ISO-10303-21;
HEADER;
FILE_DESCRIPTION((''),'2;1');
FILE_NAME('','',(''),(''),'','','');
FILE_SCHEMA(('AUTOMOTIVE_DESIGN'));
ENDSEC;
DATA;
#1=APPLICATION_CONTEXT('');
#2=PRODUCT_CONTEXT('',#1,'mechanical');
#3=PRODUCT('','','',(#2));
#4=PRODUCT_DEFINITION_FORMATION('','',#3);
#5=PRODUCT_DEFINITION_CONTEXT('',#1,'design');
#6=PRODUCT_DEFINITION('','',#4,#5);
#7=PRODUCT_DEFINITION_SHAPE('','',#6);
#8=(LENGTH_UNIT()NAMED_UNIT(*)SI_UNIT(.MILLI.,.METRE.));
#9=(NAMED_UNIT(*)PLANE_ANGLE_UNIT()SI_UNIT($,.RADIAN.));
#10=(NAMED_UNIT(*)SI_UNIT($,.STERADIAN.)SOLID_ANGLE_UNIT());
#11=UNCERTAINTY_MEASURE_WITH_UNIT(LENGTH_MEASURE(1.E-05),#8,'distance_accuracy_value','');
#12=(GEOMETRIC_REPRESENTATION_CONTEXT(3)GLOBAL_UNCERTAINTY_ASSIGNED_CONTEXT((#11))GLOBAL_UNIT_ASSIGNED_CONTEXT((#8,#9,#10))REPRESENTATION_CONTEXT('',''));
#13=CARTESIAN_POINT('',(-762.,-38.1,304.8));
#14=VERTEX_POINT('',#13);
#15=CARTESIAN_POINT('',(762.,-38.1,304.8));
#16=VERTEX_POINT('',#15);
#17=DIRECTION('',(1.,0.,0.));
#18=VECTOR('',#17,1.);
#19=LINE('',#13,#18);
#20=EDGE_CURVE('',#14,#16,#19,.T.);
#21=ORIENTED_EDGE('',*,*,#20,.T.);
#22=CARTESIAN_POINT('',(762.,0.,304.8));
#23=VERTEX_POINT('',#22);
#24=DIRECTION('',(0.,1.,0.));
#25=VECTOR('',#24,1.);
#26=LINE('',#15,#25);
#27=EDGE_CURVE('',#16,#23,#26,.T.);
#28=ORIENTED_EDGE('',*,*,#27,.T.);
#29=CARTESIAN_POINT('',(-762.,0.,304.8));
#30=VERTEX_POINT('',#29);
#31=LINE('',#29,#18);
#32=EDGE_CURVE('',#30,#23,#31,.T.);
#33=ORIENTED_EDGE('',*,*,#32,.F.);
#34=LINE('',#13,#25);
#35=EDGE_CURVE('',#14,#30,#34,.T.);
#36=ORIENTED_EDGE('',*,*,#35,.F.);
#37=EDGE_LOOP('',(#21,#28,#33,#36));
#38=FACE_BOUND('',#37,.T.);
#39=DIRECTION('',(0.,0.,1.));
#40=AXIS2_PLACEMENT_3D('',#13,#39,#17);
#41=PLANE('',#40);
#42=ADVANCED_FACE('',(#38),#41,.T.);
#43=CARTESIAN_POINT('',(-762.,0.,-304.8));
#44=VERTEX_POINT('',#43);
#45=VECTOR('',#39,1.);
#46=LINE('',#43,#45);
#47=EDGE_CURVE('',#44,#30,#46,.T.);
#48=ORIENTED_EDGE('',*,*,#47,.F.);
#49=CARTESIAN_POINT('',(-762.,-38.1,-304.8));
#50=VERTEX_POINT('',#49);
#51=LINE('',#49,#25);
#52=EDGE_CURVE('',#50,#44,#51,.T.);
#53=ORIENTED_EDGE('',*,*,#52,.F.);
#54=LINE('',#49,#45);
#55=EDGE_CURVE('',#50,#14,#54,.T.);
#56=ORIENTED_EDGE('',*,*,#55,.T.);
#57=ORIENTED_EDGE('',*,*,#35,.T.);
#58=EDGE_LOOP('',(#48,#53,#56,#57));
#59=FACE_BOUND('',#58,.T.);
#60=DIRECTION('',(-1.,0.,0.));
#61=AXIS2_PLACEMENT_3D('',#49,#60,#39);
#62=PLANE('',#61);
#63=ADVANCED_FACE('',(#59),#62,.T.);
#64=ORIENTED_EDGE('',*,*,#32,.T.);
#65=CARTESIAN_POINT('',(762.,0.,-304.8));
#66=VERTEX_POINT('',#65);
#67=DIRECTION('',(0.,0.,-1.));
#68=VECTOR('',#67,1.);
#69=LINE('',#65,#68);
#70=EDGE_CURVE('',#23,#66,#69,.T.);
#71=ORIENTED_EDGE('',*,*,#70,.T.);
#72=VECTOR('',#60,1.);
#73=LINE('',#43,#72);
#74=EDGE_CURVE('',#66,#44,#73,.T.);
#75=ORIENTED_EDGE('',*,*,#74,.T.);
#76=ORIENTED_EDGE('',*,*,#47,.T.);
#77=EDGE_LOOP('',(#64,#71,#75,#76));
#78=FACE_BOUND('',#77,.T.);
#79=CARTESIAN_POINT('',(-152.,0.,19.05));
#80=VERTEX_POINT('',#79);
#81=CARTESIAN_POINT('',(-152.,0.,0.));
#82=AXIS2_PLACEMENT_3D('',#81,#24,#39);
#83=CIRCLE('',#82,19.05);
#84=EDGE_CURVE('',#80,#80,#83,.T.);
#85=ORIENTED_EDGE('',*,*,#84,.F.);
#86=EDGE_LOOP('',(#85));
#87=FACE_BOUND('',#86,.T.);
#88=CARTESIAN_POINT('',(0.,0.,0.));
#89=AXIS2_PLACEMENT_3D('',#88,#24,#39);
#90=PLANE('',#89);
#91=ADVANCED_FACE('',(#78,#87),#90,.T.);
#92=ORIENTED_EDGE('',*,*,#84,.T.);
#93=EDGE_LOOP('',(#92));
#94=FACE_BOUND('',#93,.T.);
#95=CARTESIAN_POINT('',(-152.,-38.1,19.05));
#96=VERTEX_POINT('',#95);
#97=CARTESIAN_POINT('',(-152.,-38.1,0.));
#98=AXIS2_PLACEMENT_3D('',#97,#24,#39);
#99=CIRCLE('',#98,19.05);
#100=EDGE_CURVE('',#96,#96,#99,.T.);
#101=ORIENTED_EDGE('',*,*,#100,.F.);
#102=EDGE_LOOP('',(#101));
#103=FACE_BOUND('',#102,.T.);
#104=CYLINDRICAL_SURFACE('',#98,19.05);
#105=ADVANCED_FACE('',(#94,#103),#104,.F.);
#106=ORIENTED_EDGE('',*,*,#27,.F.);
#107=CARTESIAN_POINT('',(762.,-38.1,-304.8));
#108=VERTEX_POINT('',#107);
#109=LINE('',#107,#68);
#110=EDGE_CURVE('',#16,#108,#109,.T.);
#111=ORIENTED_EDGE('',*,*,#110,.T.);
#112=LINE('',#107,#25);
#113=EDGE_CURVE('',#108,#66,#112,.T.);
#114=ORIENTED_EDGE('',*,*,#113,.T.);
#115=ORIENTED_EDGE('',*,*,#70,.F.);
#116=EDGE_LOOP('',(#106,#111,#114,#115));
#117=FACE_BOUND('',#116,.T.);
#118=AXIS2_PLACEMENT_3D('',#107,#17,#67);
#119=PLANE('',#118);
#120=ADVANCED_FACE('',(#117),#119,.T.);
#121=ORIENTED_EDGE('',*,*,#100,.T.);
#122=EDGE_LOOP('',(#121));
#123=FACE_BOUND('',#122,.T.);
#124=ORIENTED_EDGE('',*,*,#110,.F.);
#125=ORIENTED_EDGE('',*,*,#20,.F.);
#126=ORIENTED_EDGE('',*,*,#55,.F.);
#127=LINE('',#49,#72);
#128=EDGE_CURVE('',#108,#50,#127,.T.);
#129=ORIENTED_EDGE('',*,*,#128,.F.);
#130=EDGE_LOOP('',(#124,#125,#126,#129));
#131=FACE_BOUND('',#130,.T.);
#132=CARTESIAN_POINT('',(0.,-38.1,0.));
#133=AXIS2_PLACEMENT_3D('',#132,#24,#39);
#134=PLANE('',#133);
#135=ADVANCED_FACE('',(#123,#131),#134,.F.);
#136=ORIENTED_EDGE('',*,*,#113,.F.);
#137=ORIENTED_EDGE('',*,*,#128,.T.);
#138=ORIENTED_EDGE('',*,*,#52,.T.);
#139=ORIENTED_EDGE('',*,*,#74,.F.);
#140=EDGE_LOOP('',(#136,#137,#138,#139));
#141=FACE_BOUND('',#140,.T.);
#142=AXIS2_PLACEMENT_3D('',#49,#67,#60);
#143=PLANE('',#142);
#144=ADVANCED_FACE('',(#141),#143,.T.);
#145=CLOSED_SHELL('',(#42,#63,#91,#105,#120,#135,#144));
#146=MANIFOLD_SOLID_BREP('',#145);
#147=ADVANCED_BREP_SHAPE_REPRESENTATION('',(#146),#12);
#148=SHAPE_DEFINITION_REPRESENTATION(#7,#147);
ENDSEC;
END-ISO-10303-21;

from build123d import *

# Parameters (mm, degrees)
SKETCH1_W           = 1524
SKETCH1_H           = 609.6
BOSS_EXTRUDE1_DEPTH = 38.1
SKETCH2_R           = 19.05
CUT_EXTRUDE1_DEPTH  = 39.1


with BuildPart() as part:
    # Sketch1 → Boss-Extrude1 (new body)
    with BuildSketch(Plane(origin=(0, 0, 0), x_dir=(1, 0, 0), z_dir=(0, 1, 0))):
        Rectangle(SKETCH1_W, SKETCH1_H)
    extrude(amount=-BOSS_EXTRUDE1_DEPTH)

    # Sketch2 → Cut-Extrude1 (cut, through all)
    with BuildSketch(Plane(origin=(0, 0, 0), x_dir=(1, 0, 0), z_dir=(0, 1, 0))):
        with Locations((-152, 0)):
            Circle(SKETCH2_R)
    extrude(amount=-CUT_EXTRUDE1_DEPTH, mode=Mode.SUBTRACT)


solid = part.part
